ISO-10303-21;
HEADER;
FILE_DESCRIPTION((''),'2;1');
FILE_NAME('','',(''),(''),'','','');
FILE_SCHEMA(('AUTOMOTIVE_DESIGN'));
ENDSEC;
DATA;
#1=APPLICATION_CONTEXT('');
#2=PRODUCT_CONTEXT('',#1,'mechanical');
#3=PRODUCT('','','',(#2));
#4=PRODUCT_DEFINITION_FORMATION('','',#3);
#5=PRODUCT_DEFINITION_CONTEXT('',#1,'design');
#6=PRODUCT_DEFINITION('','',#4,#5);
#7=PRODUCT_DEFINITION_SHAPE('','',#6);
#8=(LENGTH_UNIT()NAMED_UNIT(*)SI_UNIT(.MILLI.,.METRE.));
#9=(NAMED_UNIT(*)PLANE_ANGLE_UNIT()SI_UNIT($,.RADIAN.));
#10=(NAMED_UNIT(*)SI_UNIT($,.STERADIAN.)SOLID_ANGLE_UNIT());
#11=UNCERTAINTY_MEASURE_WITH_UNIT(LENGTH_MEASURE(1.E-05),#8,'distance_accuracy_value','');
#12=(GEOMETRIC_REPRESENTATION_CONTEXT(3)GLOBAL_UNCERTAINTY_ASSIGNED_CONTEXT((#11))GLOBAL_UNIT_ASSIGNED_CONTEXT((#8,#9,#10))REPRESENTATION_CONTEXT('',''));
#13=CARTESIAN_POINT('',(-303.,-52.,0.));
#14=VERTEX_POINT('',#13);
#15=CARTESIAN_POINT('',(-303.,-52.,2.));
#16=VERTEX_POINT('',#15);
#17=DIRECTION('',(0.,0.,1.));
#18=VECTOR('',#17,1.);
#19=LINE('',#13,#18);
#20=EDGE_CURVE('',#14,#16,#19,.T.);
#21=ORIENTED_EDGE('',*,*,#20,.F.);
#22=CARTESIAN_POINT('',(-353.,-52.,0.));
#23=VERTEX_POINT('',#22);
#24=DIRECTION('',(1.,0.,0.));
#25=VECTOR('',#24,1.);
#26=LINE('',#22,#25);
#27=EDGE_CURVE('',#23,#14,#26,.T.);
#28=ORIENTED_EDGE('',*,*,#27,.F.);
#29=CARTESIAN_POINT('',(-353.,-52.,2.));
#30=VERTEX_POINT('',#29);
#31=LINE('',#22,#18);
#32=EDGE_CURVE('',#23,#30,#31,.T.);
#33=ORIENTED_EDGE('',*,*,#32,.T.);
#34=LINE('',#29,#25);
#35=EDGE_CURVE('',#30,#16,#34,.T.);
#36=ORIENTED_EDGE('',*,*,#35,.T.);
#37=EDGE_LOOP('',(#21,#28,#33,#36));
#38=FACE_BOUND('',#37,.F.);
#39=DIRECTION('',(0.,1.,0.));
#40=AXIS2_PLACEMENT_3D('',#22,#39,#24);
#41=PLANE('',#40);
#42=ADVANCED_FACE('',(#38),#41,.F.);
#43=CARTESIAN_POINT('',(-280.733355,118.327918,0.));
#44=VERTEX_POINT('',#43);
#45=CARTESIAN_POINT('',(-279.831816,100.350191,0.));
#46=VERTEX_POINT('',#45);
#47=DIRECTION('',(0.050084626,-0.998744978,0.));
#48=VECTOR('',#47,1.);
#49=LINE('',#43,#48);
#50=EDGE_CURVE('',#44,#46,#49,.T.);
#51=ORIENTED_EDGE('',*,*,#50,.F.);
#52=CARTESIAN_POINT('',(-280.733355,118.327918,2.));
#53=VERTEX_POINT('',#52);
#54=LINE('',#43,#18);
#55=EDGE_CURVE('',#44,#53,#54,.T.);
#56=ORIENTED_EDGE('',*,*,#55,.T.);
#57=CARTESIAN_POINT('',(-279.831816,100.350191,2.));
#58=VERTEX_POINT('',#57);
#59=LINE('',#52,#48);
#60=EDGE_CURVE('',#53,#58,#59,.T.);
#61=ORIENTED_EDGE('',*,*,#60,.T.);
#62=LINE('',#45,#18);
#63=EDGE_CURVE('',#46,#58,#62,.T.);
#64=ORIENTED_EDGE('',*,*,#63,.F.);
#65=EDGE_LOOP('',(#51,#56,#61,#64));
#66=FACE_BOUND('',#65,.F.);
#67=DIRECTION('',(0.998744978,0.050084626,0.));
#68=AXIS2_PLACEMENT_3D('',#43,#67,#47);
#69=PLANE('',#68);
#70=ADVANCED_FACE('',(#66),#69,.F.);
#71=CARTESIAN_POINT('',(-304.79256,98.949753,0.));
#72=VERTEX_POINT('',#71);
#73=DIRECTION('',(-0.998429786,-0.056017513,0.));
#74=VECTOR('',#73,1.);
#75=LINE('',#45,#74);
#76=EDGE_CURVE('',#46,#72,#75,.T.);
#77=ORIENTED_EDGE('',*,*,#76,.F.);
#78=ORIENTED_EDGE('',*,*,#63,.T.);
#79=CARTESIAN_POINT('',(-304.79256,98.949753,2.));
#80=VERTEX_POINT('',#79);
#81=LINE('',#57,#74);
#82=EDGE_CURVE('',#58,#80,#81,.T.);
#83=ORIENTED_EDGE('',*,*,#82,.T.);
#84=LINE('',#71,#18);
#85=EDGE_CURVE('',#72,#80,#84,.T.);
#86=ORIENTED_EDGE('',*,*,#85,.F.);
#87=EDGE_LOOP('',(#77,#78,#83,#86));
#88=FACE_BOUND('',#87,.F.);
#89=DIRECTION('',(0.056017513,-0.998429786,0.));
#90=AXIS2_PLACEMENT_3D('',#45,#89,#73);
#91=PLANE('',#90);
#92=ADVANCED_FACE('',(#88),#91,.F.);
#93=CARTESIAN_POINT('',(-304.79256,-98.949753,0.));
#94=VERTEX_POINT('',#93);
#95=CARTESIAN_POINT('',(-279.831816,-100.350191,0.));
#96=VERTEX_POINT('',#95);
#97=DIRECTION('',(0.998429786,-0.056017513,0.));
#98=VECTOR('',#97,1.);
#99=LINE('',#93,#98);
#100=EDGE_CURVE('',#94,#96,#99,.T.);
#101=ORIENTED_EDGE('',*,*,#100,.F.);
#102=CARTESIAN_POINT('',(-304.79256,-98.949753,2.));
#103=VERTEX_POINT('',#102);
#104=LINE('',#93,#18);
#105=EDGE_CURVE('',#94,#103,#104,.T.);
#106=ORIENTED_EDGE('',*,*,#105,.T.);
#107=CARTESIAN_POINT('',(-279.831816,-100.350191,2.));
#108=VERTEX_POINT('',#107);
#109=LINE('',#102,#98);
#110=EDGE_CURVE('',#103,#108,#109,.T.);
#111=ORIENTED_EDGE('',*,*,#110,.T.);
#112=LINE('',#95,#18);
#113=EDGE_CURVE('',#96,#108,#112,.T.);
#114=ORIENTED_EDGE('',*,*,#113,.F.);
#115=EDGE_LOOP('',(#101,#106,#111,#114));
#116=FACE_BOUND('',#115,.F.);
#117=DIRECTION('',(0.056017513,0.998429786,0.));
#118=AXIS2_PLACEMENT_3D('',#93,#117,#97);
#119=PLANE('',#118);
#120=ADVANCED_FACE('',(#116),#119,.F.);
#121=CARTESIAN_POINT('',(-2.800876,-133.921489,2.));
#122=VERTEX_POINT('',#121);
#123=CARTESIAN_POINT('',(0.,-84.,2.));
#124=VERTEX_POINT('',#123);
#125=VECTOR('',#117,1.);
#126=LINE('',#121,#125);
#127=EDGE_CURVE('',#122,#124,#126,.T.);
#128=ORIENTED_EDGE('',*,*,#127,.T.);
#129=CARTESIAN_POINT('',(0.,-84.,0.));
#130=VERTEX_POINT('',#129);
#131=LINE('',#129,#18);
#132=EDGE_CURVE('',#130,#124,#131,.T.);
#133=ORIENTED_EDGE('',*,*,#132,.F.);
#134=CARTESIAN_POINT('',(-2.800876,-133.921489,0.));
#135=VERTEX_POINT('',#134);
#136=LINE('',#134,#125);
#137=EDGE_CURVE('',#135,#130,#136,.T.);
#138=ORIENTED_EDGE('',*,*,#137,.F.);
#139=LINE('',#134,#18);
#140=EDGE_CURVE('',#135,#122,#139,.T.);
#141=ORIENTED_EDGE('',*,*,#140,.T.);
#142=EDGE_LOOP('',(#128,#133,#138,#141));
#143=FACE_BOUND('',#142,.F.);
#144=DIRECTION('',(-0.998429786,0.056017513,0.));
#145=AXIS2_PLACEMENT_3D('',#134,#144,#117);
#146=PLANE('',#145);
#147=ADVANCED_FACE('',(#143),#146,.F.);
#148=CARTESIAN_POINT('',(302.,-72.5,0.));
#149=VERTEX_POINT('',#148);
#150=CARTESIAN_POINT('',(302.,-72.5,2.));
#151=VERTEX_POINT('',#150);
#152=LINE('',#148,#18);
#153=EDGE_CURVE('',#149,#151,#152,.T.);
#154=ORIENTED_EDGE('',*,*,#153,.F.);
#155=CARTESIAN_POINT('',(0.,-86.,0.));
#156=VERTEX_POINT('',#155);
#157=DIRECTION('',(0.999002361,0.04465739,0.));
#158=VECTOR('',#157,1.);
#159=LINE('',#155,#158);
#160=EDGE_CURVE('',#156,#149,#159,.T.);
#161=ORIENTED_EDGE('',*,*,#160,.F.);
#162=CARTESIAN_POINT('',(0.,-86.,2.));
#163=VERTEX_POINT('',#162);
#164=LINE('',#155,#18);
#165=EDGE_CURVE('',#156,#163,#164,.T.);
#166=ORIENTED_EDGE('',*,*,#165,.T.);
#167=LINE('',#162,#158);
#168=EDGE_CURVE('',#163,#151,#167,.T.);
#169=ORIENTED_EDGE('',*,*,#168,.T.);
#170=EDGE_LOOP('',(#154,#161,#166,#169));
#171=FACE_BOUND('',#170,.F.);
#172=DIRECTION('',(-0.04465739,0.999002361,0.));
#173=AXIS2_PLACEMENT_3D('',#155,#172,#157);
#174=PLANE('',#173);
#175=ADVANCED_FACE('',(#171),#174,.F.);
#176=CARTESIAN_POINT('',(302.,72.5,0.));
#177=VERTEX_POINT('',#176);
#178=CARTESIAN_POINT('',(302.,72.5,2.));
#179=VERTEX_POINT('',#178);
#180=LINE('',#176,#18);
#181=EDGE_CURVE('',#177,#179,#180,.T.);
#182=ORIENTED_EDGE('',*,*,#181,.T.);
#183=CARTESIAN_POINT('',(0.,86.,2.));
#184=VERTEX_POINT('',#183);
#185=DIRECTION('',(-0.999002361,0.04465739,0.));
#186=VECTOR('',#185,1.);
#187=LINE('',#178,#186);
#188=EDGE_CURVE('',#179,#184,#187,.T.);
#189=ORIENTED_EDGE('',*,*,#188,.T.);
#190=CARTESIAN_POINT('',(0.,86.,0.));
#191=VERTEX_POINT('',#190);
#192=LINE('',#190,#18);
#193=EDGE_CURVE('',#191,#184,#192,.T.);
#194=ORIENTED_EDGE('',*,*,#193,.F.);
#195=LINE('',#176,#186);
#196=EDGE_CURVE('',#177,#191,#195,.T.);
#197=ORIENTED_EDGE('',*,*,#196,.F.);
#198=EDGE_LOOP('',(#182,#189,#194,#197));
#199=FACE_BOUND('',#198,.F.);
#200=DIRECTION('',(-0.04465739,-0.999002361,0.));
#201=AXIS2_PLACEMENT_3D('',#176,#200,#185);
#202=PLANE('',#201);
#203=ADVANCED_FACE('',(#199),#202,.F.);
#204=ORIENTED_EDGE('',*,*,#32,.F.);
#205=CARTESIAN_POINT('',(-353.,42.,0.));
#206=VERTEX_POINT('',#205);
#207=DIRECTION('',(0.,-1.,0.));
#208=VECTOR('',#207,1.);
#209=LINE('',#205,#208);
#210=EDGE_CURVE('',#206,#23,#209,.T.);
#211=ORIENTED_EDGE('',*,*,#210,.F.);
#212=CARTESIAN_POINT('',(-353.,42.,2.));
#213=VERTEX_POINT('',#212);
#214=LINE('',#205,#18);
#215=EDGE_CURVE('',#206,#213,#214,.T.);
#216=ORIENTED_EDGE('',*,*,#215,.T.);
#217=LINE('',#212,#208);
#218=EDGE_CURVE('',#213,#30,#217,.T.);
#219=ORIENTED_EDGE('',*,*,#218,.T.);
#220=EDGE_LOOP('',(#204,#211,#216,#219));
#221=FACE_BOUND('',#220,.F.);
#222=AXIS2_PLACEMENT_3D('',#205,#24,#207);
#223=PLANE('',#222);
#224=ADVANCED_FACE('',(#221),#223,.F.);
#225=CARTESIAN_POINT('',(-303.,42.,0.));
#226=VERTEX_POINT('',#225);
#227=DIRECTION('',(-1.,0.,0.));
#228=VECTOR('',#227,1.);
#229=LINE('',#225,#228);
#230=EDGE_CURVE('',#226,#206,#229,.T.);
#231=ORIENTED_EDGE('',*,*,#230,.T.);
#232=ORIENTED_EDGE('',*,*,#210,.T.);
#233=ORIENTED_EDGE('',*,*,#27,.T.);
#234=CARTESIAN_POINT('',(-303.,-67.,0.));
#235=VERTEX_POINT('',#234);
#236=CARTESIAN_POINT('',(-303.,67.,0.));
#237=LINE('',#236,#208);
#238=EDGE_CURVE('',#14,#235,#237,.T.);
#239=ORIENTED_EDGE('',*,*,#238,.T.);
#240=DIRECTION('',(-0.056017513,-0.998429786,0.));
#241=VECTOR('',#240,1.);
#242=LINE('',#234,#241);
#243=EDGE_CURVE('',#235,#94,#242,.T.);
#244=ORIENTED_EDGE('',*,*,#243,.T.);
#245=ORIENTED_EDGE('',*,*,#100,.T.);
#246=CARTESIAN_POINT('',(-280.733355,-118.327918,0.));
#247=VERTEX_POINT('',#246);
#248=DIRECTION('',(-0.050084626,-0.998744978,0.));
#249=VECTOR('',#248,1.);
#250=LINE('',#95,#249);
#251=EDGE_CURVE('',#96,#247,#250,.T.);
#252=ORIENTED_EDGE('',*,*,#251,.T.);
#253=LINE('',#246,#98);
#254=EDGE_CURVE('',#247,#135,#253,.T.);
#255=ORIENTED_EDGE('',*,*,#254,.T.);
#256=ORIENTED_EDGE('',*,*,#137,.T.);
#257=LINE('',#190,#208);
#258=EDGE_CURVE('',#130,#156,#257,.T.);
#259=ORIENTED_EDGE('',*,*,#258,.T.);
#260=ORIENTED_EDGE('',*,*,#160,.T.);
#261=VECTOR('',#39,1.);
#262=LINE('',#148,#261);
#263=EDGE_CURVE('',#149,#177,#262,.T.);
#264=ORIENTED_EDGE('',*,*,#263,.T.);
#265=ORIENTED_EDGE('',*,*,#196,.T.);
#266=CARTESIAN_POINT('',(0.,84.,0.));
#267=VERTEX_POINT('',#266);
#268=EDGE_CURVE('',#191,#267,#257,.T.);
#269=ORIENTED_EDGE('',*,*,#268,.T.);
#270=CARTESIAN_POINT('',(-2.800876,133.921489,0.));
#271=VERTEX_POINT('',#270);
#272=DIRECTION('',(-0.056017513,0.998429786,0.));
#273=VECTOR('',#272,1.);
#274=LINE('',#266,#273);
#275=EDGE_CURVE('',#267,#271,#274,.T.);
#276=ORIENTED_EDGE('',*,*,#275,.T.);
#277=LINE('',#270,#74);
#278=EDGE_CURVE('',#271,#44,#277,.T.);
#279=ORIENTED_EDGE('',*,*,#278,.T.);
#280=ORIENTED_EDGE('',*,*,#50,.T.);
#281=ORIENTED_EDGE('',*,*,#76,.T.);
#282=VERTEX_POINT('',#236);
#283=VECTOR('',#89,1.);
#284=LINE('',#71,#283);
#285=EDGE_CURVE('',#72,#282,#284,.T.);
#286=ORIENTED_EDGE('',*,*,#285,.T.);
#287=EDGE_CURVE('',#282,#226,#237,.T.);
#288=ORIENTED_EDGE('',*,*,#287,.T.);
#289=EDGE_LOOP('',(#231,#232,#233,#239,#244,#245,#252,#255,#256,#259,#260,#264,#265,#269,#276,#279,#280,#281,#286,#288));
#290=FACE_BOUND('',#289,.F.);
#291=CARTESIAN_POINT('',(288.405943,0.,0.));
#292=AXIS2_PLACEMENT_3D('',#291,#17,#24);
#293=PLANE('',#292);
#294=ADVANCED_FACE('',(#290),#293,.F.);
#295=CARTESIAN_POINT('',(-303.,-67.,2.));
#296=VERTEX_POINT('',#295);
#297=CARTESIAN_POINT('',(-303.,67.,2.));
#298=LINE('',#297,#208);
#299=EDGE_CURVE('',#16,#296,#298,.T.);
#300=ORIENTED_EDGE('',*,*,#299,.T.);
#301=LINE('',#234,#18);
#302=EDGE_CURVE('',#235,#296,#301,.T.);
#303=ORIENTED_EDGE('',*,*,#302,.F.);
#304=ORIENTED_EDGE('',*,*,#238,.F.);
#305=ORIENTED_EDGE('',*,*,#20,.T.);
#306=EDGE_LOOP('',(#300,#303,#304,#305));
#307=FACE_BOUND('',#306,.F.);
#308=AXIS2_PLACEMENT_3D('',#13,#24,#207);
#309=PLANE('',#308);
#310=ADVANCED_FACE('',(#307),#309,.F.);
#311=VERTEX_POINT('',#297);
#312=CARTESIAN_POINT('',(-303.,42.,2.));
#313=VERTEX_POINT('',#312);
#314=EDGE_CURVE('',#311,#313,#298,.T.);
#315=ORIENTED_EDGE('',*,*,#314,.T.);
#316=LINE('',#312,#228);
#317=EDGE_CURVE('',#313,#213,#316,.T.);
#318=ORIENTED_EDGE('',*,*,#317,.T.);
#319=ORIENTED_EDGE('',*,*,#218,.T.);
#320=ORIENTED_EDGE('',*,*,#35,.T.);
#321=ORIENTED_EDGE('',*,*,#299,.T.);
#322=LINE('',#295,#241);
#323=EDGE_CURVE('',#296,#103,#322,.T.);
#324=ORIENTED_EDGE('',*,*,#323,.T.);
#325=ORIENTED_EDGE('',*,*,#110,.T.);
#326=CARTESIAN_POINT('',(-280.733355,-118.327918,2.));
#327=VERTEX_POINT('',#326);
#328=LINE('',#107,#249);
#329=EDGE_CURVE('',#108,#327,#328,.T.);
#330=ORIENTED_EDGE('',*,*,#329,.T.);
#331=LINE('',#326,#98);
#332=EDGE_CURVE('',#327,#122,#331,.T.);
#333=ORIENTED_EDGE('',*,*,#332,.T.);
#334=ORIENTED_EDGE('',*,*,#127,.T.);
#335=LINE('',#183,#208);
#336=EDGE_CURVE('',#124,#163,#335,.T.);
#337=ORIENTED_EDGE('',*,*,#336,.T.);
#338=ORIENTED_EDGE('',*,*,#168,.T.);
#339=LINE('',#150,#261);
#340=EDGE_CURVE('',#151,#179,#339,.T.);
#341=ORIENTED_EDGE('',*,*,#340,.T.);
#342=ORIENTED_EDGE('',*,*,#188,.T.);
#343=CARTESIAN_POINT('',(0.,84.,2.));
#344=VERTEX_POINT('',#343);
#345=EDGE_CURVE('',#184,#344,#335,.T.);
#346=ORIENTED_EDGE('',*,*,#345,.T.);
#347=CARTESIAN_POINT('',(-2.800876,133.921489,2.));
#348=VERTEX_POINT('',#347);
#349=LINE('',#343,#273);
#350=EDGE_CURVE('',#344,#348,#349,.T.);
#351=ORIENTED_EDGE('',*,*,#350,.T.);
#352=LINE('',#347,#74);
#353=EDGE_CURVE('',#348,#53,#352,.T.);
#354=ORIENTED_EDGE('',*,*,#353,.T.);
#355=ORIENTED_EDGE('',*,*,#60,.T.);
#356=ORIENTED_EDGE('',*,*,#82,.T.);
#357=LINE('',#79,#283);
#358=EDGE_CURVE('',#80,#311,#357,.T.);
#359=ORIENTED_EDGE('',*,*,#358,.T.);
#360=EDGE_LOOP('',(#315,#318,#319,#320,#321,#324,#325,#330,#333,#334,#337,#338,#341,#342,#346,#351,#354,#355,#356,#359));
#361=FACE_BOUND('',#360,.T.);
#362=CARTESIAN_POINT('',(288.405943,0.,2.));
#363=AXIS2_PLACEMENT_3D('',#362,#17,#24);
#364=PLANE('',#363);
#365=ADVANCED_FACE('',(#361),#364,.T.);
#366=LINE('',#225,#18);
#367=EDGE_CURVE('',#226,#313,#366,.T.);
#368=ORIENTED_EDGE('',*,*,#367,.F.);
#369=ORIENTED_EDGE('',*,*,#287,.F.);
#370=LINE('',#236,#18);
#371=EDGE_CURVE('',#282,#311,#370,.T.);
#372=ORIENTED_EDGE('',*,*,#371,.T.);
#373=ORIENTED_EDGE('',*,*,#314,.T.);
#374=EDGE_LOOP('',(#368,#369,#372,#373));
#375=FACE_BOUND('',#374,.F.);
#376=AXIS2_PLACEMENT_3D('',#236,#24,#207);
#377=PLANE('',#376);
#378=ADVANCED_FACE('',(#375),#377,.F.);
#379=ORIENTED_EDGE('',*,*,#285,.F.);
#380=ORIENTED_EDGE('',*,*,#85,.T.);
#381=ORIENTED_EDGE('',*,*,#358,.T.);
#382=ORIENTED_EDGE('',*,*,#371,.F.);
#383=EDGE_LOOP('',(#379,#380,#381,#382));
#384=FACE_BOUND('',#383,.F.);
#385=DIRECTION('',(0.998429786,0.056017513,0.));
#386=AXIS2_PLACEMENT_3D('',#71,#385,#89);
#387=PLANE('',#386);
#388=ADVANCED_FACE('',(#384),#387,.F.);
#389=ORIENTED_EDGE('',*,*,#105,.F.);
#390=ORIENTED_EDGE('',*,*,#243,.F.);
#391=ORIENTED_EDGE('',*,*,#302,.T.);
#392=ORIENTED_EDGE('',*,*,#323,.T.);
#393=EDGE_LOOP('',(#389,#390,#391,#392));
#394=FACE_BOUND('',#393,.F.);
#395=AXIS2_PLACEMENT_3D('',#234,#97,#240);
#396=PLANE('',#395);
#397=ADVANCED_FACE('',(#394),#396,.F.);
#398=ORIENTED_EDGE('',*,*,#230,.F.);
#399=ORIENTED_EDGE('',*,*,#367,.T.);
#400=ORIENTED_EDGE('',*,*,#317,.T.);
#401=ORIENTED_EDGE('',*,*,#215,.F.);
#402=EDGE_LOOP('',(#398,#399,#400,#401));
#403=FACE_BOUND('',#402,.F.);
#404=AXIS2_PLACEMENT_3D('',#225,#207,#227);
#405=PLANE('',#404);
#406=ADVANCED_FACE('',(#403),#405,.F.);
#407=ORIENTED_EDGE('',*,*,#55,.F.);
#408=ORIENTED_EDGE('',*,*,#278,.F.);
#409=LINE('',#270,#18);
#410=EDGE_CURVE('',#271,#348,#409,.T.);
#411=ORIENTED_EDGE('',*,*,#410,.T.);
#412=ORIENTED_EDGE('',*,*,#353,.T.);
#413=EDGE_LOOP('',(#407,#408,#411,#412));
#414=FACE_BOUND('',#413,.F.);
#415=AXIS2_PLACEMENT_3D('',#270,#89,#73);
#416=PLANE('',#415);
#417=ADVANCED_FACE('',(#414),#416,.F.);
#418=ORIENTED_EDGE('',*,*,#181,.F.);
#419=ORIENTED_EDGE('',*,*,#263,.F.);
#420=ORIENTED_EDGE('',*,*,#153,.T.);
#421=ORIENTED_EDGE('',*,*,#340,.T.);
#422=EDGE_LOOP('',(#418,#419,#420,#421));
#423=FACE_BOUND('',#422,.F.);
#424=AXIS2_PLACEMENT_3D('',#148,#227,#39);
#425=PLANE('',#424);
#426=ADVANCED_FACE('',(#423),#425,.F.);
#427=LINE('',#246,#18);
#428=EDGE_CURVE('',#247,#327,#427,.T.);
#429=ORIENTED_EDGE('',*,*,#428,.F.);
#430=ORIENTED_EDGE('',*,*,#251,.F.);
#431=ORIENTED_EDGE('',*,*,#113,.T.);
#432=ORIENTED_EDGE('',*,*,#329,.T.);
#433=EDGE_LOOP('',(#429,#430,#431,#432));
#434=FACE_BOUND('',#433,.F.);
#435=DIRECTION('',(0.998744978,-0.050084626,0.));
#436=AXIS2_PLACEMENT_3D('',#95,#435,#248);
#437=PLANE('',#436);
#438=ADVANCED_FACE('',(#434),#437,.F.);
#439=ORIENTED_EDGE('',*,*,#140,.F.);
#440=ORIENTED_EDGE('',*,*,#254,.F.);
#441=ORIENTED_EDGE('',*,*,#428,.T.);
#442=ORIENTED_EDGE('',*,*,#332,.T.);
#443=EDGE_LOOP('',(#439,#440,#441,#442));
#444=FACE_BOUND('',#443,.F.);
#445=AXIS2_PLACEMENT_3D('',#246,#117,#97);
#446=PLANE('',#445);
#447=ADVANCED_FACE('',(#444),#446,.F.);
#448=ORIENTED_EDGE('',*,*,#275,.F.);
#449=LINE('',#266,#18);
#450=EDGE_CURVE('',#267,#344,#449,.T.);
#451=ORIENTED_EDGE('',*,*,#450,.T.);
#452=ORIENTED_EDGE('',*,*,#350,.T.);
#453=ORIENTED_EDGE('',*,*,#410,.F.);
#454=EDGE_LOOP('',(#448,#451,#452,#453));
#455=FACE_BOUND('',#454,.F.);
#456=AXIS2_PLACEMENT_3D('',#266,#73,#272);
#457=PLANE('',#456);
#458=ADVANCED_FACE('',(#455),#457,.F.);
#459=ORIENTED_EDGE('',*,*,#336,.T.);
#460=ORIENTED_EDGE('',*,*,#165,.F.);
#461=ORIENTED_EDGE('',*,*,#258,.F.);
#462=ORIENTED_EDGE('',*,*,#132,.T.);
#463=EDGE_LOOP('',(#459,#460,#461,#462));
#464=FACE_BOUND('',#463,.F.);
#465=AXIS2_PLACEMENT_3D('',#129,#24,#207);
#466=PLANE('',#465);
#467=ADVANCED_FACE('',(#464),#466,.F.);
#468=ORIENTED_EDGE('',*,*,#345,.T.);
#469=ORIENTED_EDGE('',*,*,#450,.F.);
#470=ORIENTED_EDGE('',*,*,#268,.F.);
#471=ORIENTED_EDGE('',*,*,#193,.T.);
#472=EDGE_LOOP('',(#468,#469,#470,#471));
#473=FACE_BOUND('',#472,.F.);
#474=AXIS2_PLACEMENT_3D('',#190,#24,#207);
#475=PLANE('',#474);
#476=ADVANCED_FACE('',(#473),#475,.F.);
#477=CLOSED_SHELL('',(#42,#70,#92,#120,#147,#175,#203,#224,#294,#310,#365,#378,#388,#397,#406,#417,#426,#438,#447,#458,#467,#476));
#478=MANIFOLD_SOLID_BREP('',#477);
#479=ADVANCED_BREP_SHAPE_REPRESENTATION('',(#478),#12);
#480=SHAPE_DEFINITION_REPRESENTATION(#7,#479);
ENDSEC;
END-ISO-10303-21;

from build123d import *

# Parameters (mm, degrees)
F1_DEPTH = 2


with BuildPart() as f1:
    # F0 (on Top) → F1 (new body)
    with BuildSketch(Plane.XY):
        Polygon((302, 72.5), (275, 73.7069536424), (275, 0), (275, -73.7069536424), (302, -72.5), (302, 0), align=None)
        Polygon((0, 84), (0, 0), (0, -84), (0, -86), (275, -73.7069536424), (275, 0), (275, 73.7069536424), (0, 86), align=None)
        Polygon((0, -84), (0, 0), (0, 84), (-303, 67), (-303, 42), (-303, 0), (-303, -52), (-303, -67), align=None)
        Polygon((-2.8008756383, -133.9214893173), (0, -84), (-303, -67), (-304.7925604085, -98.9497531631), (-279.8318157498, -100.3501909822), (-280.7333549372, -118.3279178715), align=None)
        Polygon((-303, 67), (0, 84), (-2.8008756383, 133.9214893173), (-280.7333549372, 118.3279178715), (-279.8318157498, 100.3501909822), (-304.7925604085, 98.9497531631), align=None)
        Polygon((-303, 0), (-303, 42), (-353, 42), (-353, 0), (-353, -52), (-303, -52), align=None)
    extrude(amount=F1_DEPTH)


solid = f1.part
